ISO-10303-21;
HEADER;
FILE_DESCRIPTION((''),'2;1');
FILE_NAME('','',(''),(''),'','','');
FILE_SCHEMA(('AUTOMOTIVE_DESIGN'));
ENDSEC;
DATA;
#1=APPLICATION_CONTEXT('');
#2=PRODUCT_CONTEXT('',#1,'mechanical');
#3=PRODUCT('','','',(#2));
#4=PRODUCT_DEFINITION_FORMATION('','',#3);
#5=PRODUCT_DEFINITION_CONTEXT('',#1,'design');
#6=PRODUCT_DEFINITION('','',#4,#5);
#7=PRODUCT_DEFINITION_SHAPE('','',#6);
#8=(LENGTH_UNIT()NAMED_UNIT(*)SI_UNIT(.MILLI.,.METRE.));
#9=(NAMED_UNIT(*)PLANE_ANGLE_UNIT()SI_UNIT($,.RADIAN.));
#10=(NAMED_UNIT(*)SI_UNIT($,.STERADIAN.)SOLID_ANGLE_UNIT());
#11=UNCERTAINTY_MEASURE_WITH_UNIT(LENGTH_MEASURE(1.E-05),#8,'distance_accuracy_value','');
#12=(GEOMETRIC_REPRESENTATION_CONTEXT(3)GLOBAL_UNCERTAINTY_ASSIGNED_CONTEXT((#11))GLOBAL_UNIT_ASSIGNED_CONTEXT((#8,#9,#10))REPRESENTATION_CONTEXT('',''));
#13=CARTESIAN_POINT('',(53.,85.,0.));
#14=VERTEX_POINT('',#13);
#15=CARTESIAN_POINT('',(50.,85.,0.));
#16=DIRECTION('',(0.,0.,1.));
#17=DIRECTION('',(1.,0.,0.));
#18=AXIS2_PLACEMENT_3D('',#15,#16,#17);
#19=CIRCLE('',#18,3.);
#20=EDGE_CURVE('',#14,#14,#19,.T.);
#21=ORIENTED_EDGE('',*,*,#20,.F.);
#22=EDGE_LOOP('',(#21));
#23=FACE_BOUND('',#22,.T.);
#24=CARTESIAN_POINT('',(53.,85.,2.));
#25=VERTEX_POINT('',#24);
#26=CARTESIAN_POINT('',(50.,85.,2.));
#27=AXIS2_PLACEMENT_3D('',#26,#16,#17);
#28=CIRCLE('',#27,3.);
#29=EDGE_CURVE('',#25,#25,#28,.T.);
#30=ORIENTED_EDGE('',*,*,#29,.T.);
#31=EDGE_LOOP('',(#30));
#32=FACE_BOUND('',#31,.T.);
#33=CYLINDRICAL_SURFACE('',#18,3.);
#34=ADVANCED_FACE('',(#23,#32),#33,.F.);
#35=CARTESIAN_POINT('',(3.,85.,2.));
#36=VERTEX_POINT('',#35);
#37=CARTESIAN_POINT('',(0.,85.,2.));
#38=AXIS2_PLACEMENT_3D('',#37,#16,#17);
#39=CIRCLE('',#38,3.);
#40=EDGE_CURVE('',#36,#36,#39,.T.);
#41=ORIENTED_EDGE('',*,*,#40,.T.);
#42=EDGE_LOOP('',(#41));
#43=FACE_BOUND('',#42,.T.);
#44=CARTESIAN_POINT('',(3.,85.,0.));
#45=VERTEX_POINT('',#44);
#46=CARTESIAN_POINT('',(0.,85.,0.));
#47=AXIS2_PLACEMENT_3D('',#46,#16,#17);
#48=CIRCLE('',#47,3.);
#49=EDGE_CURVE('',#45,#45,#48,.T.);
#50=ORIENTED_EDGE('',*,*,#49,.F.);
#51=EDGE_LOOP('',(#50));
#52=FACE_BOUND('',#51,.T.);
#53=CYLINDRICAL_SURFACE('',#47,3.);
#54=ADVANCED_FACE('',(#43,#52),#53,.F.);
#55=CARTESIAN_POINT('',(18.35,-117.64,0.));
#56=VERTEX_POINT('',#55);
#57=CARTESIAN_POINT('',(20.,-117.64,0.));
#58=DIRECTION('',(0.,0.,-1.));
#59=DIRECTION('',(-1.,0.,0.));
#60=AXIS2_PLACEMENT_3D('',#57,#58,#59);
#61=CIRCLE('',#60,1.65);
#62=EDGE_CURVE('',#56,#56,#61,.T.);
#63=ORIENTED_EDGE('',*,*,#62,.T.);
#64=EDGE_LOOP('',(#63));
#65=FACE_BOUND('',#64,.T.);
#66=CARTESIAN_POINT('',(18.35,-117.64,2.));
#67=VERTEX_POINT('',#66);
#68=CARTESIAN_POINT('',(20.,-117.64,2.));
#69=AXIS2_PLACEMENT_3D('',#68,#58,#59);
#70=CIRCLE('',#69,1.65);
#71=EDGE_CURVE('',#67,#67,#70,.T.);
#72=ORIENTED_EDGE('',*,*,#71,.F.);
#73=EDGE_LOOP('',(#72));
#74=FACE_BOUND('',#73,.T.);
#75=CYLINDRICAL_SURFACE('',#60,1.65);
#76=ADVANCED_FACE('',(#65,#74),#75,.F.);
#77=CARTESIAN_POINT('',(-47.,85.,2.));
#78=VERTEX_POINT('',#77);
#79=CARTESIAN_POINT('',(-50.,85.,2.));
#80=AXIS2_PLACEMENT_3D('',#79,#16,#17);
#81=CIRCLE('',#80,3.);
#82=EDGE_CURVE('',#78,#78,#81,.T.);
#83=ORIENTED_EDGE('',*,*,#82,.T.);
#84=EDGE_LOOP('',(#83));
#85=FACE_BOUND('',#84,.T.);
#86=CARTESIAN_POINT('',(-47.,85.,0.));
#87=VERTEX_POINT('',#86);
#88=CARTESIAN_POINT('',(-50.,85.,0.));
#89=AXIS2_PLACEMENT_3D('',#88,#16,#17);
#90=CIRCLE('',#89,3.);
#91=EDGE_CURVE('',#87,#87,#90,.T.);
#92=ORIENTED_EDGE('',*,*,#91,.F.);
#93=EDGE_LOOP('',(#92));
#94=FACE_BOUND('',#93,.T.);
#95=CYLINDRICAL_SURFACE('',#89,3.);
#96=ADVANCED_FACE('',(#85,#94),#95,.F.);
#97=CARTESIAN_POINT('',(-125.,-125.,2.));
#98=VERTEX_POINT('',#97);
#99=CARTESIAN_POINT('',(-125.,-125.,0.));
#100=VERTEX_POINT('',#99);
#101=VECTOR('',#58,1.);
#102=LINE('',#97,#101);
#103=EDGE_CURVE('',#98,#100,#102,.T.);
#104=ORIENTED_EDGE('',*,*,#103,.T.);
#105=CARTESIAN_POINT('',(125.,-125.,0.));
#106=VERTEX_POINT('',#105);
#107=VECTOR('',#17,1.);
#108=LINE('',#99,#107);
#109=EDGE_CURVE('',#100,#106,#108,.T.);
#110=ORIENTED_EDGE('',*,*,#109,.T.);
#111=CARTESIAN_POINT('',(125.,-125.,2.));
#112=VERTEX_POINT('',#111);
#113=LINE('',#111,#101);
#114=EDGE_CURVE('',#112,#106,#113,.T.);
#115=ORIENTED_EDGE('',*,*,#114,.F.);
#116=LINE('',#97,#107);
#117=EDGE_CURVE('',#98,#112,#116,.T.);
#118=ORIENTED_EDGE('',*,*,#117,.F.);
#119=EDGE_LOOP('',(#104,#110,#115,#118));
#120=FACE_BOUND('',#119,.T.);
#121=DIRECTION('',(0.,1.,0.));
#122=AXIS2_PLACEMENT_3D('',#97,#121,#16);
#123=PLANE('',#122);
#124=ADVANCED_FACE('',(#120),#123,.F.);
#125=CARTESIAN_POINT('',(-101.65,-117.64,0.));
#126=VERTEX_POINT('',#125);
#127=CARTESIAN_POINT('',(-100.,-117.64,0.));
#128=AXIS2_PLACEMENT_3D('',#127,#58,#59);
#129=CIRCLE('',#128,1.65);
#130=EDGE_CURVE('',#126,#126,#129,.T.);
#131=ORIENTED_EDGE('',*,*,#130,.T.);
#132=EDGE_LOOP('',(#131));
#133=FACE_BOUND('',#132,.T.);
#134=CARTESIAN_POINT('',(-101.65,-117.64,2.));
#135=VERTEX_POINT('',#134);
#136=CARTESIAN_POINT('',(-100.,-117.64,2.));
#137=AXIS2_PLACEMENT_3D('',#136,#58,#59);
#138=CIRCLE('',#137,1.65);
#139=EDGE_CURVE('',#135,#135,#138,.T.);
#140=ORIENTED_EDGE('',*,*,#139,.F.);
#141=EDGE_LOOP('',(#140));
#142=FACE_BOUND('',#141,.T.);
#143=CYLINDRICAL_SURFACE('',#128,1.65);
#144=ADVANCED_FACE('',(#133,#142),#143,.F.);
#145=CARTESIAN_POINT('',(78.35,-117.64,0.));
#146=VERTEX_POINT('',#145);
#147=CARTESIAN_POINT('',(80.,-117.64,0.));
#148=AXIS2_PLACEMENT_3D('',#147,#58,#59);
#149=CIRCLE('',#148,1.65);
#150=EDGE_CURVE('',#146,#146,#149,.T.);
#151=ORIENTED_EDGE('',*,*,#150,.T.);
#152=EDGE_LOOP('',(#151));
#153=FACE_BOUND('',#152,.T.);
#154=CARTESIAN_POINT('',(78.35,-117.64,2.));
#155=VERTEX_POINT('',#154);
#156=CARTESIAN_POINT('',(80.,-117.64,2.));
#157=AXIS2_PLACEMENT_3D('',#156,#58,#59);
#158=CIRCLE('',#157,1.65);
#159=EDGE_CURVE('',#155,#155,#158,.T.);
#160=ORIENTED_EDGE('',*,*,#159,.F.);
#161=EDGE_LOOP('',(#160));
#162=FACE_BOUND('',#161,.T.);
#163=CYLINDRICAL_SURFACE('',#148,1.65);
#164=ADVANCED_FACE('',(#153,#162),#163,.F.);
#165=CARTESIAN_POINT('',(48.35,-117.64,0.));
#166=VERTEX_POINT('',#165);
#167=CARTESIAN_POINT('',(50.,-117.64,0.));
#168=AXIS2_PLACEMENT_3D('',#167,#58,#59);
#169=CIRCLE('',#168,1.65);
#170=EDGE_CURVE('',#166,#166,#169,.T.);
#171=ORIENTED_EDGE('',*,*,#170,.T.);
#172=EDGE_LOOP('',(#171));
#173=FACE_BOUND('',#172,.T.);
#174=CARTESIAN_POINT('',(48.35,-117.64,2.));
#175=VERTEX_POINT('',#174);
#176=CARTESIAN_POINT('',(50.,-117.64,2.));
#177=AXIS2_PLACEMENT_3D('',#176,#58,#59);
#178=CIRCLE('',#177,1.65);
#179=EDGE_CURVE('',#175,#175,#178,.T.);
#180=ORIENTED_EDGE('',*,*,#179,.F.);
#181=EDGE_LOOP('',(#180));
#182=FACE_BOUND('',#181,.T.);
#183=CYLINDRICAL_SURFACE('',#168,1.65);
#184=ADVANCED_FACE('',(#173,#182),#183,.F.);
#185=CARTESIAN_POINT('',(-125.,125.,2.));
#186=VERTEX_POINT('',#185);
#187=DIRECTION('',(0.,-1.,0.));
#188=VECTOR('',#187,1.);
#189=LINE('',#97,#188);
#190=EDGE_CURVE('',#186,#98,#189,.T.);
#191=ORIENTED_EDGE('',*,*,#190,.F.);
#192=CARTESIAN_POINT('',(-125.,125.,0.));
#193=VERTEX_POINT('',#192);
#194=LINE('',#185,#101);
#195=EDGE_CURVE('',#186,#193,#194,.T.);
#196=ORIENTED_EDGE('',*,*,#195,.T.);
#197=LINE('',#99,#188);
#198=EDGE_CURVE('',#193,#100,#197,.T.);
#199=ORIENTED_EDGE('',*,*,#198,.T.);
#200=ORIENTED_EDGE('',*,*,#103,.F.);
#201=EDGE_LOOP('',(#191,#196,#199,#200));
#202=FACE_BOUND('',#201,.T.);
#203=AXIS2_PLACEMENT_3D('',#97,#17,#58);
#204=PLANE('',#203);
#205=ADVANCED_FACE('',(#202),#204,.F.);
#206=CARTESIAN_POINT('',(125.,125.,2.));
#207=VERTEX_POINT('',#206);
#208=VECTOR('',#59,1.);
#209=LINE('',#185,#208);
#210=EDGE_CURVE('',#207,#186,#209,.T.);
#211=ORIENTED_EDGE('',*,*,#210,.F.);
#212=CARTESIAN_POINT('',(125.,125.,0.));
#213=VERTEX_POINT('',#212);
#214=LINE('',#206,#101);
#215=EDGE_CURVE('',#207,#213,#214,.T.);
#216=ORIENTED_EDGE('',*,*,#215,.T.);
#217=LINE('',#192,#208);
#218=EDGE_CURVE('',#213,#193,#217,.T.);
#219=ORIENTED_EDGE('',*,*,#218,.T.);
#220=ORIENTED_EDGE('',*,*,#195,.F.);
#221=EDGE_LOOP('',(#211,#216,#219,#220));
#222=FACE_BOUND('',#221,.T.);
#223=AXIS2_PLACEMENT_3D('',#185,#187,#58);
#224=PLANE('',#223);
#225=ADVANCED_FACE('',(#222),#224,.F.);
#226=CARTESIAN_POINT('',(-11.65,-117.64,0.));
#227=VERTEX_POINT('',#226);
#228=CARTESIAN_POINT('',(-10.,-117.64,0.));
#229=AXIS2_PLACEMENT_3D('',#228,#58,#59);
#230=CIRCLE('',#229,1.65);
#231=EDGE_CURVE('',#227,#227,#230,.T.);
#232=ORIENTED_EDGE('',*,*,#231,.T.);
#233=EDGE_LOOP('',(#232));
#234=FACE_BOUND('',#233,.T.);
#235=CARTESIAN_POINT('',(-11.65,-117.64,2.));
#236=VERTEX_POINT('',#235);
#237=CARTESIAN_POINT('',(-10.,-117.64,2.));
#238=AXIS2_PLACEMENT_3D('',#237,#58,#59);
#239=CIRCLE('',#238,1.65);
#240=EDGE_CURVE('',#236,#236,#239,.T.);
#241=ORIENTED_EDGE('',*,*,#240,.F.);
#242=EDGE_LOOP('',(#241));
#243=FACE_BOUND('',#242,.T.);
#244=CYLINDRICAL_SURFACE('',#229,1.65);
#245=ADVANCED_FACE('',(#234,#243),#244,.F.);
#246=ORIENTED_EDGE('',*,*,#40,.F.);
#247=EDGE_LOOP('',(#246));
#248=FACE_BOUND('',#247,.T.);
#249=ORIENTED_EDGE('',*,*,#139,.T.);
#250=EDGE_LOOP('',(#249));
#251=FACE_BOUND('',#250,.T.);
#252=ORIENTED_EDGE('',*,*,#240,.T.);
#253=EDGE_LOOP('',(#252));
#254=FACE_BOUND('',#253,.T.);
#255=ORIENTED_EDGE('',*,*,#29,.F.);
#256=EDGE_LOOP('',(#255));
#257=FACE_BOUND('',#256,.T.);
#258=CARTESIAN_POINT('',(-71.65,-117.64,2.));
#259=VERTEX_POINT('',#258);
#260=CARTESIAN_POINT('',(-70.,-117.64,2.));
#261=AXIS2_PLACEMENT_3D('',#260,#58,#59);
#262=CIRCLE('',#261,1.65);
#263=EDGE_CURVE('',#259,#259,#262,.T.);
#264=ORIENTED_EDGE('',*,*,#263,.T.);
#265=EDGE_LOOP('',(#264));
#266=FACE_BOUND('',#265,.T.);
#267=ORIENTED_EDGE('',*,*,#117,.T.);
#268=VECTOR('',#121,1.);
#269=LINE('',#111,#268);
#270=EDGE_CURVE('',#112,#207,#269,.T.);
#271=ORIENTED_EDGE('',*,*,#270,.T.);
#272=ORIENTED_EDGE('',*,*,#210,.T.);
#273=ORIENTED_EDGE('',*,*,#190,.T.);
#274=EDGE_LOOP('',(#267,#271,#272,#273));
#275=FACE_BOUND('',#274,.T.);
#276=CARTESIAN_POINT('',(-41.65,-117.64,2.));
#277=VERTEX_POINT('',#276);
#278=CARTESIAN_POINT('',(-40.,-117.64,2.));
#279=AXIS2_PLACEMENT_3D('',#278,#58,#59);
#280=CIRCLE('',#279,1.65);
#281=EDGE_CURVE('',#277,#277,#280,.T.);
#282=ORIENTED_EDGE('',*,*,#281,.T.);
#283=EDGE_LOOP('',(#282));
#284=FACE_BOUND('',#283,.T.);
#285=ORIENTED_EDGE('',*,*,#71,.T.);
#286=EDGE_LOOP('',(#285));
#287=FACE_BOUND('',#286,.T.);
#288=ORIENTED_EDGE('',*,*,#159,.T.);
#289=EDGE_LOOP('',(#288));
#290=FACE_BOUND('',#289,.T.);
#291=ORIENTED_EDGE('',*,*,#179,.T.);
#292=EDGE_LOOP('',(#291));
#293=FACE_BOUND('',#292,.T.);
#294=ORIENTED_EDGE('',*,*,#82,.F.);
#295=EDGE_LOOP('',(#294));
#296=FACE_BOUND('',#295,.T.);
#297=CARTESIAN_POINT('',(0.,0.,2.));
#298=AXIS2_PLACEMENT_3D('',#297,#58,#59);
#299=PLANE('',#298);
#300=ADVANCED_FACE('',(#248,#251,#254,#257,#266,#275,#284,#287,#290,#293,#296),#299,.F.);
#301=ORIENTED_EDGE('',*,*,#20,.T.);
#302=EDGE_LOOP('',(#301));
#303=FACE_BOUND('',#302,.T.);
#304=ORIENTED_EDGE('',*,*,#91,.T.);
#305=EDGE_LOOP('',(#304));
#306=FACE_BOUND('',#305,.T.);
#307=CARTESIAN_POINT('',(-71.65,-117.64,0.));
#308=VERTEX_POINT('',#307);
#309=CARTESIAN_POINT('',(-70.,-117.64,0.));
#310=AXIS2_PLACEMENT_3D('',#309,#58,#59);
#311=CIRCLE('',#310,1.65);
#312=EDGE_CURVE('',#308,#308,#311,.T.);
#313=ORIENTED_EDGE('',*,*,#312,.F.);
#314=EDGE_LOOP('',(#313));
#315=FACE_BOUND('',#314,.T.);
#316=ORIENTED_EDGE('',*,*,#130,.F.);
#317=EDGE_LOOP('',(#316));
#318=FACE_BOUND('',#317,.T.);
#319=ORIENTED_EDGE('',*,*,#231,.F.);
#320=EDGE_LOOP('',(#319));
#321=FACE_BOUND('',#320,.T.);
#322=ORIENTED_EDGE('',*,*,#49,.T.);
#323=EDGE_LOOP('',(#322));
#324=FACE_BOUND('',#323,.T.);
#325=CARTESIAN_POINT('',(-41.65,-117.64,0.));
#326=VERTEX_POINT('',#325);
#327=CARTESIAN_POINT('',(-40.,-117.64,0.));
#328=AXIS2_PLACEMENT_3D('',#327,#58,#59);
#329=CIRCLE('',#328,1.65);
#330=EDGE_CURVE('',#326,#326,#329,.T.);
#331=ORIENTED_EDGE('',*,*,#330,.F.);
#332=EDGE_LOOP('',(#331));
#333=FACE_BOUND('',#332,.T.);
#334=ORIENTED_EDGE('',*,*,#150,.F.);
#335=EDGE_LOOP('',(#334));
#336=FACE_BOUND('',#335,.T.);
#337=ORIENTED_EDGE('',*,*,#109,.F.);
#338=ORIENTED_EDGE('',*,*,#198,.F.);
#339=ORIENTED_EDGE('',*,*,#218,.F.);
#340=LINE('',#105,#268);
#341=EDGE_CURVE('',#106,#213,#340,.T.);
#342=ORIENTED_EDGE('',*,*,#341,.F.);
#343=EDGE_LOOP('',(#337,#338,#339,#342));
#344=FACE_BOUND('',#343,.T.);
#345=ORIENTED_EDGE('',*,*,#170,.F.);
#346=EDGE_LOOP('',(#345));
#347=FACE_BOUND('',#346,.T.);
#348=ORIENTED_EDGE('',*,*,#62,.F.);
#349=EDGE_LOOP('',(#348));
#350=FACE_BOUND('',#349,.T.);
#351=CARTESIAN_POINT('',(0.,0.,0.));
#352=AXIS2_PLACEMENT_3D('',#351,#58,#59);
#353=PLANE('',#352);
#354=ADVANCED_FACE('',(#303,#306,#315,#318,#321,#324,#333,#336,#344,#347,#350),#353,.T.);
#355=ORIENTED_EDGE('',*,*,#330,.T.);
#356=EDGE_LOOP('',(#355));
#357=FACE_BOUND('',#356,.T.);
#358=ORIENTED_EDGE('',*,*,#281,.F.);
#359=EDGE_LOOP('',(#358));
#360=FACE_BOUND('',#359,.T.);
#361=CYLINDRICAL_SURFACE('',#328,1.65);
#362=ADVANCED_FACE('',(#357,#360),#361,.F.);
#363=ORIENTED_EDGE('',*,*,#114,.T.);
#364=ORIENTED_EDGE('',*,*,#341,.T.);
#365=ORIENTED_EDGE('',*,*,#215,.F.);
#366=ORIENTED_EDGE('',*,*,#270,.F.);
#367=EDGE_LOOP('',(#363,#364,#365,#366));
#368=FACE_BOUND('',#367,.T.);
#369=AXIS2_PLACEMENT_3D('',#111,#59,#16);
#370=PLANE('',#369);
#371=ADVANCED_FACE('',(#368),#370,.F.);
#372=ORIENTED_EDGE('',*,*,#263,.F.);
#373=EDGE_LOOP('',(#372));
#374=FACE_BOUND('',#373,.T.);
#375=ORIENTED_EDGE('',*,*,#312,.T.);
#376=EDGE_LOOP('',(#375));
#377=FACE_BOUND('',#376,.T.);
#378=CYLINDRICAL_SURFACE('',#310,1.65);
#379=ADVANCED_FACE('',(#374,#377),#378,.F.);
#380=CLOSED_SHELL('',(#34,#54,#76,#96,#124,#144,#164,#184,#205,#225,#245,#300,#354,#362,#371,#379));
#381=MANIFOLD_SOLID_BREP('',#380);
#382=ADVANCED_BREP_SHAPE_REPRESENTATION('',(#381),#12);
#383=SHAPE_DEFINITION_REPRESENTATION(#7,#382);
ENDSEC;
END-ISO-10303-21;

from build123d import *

# Parameters (mm, degrees)
SKIZZE1_W                       = 250
SKIZZE1_H                       = 250
AUFSATZ_LINEAR_AUSTRAGEN1_DEPTH = 2
SKIZZE2_R                       = 3
SCHNITT_LINEAR_AUSTRAGEN1_DEPTH = 3
M4_GEWINDEBOHRUNG1_D            = 3.3


with BuildPart() as part:
    # Skizze1 → Aufsatz-Linear austragen1 (new body)
    with BuildSketch(Plane.XY):
        Rectangle(SKIZZE1_W, SKIZZE1_H)
    extrude(amount=AUFSATZ_LINEAR_AUSTRAGEN1_DEPTH)

    # Skizze2 → Schnitt-Linear austragen1 (cut, through all)
    with BuildSketch(Plane.XY.offset(2)):
        with Locations((0, 85)):
            Circle(SKIZZE2_R)
        with Locations((-50, 85)):
            Circle(SKIZZE2_R)
        with Locations((50, 85)):
            Circle(SKIZZE2_R)
    extrude(amount=-SCHNITT_LINEAR_AUSTRAGEN1_DEPTH, mode=Mode.SUBTRACT)

    # M4 Gewindebohrung1 (through all)
    with Locations(Plane(origin=(0, 0, 0), x_dir=(-1, 0, 0), z_dir=(0, 0, -1))):
        with Locations((-80, -117.64), (-50, -117.64), (-20, -117.64), (10, -117.64), (40, -117.64), (70, -117.64), (100, -117.64)):
            Hole(M4_GEWINDEBOHRUNG1_D / 2)


solid = part.part
